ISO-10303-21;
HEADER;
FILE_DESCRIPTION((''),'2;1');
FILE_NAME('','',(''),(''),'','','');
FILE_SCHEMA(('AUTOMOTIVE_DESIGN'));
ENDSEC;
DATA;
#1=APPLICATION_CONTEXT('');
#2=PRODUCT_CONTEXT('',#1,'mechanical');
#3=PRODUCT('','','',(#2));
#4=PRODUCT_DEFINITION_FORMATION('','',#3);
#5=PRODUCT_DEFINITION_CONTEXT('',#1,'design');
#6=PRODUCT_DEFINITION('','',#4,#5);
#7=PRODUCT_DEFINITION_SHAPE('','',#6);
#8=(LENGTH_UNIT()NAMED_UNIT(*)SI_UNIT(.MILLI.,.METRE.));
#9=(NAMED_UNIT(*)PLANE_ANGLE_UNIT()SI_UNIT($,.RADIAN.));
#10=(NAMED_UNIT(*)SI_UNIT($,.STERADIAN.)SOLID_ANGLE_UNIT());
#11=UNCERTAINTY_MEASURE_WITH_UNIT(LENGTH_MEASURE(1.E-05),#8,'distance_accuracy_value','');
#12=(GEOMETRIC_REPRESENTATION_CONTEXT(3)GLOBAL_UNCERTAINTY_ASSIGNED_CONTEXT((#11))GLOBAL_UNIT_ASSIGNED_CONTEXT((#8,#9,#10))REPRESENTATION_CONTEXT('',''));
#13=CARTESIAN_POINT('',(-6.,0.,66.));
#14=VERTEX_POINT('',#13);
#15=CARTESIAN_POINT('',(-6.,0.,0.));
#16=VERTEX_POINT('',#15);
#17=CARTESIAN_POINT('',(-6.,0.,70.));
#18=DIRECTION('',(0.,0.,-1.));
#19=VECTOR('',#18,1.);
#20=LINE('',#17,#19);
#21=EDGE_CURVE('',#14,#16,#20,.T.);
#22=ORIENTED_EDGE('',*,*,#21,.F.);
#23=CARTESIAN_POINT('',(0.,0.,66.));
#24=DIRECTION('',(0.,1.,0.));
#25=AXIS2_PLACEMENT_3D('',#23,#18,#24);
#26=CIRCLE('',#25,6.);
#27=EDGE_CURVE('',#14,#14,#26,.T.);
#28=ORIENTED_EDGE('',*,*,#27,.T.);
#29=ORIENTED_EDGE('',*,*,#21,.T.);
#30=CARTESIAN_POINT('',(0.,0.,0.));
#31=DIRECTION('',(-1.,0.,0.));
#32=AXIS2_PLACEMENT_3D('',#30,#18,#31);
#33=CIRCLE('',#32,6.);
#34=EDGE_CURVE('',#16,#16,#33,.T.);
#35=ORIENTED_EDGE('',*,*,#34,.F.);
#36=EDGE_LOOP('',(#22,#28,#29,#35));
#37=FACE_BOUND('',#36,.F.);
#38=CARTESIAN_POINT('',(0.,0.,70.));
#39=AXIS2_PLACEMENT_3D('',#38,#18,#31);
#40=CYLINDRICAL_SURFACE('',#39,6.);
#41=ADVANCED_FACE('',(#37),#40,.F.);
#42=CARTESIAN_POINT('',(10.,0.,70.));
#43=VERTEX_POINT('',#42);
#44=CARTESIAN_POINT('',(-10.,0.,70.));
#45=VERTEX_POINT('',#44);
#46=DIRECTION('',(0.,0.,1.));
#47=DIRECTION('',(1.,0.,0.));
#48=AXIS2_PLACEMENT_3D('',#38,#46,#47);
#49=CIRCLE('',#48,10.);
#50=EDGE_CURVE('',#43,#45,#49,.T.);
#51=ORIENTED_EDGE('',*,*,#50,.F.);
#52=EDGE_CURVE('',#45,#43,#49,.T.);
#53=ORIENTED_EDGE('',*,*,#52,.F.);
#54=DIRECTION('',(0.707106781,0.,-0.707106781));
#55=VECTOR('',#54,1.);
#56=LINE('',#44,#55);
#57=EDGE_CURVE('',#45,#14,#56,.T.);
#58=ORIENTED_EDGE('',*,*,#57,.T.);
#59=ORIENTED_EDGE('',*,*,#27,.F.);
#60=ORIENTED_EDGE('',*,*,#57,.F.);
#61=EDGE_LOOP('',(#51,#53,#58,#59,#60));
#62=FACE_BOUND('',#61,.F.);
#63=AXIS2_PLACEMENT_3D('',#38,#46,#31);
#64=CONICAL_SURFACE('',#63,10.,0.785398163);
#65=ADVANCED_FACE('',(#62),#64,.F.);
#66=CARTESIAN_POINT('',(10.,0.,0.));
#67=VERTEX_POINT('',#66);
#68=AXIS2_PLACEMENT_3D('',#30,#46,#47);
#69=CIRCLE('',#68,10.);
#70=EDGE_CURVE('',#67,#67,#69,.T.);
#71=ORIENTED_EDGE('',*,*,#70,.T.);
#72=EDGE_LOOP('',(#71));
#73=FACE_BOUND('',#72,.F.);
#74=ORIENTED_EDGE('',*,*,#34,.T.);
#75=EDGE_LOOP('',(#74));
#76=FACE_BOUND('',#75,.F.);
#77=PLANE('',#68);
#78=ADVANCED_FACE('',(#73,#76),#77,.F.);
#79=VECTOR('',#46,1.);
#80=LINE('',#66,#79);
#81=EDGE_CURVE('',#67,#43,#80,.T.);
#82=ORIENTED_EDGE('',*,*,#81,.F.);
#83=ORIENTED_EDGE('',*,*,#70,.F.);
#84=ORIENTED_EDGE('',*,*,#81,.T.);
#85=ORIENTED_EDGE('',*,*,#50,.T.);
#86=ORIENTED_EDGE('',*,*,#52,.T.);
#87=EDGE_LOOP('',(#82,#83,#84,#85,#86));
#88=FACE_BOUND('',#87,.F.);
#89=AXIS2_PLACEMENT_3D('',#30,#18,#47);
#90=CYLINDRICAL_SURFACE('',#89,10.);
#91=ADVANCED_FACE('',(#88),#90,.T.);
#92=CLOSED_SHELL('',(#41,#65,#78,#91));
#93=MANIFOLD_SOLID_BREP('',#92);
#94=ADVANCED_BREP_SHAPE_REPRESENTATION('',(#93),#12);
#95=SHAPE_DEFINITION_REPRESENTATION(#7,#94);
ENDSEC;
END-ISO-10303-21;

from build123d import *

# Parameters (mm, degrees)
F0_R           = 10
F1_DEPTH       = 70
F3_D           = 12
F3_CSINK_D     = 20
F3_CSINK_ANGLE = 90


with BuildPart() as f1:
    # F0 (on Top) → F1 (new body)
    with BuildSketch(Plane.XY):
        Circle(F0_R)
    extrude(amount=F1_DEPTH)

    # F3 (through all)
    with Locations(Plane.XY.offset(70)):
        with Locations((0, 0)):
            CounterSinkHole(F3_D / 2, F3_CSINK_D / 2, counter_sink_angle=F3_CSINK_ANGLE)


solid = f1.part
